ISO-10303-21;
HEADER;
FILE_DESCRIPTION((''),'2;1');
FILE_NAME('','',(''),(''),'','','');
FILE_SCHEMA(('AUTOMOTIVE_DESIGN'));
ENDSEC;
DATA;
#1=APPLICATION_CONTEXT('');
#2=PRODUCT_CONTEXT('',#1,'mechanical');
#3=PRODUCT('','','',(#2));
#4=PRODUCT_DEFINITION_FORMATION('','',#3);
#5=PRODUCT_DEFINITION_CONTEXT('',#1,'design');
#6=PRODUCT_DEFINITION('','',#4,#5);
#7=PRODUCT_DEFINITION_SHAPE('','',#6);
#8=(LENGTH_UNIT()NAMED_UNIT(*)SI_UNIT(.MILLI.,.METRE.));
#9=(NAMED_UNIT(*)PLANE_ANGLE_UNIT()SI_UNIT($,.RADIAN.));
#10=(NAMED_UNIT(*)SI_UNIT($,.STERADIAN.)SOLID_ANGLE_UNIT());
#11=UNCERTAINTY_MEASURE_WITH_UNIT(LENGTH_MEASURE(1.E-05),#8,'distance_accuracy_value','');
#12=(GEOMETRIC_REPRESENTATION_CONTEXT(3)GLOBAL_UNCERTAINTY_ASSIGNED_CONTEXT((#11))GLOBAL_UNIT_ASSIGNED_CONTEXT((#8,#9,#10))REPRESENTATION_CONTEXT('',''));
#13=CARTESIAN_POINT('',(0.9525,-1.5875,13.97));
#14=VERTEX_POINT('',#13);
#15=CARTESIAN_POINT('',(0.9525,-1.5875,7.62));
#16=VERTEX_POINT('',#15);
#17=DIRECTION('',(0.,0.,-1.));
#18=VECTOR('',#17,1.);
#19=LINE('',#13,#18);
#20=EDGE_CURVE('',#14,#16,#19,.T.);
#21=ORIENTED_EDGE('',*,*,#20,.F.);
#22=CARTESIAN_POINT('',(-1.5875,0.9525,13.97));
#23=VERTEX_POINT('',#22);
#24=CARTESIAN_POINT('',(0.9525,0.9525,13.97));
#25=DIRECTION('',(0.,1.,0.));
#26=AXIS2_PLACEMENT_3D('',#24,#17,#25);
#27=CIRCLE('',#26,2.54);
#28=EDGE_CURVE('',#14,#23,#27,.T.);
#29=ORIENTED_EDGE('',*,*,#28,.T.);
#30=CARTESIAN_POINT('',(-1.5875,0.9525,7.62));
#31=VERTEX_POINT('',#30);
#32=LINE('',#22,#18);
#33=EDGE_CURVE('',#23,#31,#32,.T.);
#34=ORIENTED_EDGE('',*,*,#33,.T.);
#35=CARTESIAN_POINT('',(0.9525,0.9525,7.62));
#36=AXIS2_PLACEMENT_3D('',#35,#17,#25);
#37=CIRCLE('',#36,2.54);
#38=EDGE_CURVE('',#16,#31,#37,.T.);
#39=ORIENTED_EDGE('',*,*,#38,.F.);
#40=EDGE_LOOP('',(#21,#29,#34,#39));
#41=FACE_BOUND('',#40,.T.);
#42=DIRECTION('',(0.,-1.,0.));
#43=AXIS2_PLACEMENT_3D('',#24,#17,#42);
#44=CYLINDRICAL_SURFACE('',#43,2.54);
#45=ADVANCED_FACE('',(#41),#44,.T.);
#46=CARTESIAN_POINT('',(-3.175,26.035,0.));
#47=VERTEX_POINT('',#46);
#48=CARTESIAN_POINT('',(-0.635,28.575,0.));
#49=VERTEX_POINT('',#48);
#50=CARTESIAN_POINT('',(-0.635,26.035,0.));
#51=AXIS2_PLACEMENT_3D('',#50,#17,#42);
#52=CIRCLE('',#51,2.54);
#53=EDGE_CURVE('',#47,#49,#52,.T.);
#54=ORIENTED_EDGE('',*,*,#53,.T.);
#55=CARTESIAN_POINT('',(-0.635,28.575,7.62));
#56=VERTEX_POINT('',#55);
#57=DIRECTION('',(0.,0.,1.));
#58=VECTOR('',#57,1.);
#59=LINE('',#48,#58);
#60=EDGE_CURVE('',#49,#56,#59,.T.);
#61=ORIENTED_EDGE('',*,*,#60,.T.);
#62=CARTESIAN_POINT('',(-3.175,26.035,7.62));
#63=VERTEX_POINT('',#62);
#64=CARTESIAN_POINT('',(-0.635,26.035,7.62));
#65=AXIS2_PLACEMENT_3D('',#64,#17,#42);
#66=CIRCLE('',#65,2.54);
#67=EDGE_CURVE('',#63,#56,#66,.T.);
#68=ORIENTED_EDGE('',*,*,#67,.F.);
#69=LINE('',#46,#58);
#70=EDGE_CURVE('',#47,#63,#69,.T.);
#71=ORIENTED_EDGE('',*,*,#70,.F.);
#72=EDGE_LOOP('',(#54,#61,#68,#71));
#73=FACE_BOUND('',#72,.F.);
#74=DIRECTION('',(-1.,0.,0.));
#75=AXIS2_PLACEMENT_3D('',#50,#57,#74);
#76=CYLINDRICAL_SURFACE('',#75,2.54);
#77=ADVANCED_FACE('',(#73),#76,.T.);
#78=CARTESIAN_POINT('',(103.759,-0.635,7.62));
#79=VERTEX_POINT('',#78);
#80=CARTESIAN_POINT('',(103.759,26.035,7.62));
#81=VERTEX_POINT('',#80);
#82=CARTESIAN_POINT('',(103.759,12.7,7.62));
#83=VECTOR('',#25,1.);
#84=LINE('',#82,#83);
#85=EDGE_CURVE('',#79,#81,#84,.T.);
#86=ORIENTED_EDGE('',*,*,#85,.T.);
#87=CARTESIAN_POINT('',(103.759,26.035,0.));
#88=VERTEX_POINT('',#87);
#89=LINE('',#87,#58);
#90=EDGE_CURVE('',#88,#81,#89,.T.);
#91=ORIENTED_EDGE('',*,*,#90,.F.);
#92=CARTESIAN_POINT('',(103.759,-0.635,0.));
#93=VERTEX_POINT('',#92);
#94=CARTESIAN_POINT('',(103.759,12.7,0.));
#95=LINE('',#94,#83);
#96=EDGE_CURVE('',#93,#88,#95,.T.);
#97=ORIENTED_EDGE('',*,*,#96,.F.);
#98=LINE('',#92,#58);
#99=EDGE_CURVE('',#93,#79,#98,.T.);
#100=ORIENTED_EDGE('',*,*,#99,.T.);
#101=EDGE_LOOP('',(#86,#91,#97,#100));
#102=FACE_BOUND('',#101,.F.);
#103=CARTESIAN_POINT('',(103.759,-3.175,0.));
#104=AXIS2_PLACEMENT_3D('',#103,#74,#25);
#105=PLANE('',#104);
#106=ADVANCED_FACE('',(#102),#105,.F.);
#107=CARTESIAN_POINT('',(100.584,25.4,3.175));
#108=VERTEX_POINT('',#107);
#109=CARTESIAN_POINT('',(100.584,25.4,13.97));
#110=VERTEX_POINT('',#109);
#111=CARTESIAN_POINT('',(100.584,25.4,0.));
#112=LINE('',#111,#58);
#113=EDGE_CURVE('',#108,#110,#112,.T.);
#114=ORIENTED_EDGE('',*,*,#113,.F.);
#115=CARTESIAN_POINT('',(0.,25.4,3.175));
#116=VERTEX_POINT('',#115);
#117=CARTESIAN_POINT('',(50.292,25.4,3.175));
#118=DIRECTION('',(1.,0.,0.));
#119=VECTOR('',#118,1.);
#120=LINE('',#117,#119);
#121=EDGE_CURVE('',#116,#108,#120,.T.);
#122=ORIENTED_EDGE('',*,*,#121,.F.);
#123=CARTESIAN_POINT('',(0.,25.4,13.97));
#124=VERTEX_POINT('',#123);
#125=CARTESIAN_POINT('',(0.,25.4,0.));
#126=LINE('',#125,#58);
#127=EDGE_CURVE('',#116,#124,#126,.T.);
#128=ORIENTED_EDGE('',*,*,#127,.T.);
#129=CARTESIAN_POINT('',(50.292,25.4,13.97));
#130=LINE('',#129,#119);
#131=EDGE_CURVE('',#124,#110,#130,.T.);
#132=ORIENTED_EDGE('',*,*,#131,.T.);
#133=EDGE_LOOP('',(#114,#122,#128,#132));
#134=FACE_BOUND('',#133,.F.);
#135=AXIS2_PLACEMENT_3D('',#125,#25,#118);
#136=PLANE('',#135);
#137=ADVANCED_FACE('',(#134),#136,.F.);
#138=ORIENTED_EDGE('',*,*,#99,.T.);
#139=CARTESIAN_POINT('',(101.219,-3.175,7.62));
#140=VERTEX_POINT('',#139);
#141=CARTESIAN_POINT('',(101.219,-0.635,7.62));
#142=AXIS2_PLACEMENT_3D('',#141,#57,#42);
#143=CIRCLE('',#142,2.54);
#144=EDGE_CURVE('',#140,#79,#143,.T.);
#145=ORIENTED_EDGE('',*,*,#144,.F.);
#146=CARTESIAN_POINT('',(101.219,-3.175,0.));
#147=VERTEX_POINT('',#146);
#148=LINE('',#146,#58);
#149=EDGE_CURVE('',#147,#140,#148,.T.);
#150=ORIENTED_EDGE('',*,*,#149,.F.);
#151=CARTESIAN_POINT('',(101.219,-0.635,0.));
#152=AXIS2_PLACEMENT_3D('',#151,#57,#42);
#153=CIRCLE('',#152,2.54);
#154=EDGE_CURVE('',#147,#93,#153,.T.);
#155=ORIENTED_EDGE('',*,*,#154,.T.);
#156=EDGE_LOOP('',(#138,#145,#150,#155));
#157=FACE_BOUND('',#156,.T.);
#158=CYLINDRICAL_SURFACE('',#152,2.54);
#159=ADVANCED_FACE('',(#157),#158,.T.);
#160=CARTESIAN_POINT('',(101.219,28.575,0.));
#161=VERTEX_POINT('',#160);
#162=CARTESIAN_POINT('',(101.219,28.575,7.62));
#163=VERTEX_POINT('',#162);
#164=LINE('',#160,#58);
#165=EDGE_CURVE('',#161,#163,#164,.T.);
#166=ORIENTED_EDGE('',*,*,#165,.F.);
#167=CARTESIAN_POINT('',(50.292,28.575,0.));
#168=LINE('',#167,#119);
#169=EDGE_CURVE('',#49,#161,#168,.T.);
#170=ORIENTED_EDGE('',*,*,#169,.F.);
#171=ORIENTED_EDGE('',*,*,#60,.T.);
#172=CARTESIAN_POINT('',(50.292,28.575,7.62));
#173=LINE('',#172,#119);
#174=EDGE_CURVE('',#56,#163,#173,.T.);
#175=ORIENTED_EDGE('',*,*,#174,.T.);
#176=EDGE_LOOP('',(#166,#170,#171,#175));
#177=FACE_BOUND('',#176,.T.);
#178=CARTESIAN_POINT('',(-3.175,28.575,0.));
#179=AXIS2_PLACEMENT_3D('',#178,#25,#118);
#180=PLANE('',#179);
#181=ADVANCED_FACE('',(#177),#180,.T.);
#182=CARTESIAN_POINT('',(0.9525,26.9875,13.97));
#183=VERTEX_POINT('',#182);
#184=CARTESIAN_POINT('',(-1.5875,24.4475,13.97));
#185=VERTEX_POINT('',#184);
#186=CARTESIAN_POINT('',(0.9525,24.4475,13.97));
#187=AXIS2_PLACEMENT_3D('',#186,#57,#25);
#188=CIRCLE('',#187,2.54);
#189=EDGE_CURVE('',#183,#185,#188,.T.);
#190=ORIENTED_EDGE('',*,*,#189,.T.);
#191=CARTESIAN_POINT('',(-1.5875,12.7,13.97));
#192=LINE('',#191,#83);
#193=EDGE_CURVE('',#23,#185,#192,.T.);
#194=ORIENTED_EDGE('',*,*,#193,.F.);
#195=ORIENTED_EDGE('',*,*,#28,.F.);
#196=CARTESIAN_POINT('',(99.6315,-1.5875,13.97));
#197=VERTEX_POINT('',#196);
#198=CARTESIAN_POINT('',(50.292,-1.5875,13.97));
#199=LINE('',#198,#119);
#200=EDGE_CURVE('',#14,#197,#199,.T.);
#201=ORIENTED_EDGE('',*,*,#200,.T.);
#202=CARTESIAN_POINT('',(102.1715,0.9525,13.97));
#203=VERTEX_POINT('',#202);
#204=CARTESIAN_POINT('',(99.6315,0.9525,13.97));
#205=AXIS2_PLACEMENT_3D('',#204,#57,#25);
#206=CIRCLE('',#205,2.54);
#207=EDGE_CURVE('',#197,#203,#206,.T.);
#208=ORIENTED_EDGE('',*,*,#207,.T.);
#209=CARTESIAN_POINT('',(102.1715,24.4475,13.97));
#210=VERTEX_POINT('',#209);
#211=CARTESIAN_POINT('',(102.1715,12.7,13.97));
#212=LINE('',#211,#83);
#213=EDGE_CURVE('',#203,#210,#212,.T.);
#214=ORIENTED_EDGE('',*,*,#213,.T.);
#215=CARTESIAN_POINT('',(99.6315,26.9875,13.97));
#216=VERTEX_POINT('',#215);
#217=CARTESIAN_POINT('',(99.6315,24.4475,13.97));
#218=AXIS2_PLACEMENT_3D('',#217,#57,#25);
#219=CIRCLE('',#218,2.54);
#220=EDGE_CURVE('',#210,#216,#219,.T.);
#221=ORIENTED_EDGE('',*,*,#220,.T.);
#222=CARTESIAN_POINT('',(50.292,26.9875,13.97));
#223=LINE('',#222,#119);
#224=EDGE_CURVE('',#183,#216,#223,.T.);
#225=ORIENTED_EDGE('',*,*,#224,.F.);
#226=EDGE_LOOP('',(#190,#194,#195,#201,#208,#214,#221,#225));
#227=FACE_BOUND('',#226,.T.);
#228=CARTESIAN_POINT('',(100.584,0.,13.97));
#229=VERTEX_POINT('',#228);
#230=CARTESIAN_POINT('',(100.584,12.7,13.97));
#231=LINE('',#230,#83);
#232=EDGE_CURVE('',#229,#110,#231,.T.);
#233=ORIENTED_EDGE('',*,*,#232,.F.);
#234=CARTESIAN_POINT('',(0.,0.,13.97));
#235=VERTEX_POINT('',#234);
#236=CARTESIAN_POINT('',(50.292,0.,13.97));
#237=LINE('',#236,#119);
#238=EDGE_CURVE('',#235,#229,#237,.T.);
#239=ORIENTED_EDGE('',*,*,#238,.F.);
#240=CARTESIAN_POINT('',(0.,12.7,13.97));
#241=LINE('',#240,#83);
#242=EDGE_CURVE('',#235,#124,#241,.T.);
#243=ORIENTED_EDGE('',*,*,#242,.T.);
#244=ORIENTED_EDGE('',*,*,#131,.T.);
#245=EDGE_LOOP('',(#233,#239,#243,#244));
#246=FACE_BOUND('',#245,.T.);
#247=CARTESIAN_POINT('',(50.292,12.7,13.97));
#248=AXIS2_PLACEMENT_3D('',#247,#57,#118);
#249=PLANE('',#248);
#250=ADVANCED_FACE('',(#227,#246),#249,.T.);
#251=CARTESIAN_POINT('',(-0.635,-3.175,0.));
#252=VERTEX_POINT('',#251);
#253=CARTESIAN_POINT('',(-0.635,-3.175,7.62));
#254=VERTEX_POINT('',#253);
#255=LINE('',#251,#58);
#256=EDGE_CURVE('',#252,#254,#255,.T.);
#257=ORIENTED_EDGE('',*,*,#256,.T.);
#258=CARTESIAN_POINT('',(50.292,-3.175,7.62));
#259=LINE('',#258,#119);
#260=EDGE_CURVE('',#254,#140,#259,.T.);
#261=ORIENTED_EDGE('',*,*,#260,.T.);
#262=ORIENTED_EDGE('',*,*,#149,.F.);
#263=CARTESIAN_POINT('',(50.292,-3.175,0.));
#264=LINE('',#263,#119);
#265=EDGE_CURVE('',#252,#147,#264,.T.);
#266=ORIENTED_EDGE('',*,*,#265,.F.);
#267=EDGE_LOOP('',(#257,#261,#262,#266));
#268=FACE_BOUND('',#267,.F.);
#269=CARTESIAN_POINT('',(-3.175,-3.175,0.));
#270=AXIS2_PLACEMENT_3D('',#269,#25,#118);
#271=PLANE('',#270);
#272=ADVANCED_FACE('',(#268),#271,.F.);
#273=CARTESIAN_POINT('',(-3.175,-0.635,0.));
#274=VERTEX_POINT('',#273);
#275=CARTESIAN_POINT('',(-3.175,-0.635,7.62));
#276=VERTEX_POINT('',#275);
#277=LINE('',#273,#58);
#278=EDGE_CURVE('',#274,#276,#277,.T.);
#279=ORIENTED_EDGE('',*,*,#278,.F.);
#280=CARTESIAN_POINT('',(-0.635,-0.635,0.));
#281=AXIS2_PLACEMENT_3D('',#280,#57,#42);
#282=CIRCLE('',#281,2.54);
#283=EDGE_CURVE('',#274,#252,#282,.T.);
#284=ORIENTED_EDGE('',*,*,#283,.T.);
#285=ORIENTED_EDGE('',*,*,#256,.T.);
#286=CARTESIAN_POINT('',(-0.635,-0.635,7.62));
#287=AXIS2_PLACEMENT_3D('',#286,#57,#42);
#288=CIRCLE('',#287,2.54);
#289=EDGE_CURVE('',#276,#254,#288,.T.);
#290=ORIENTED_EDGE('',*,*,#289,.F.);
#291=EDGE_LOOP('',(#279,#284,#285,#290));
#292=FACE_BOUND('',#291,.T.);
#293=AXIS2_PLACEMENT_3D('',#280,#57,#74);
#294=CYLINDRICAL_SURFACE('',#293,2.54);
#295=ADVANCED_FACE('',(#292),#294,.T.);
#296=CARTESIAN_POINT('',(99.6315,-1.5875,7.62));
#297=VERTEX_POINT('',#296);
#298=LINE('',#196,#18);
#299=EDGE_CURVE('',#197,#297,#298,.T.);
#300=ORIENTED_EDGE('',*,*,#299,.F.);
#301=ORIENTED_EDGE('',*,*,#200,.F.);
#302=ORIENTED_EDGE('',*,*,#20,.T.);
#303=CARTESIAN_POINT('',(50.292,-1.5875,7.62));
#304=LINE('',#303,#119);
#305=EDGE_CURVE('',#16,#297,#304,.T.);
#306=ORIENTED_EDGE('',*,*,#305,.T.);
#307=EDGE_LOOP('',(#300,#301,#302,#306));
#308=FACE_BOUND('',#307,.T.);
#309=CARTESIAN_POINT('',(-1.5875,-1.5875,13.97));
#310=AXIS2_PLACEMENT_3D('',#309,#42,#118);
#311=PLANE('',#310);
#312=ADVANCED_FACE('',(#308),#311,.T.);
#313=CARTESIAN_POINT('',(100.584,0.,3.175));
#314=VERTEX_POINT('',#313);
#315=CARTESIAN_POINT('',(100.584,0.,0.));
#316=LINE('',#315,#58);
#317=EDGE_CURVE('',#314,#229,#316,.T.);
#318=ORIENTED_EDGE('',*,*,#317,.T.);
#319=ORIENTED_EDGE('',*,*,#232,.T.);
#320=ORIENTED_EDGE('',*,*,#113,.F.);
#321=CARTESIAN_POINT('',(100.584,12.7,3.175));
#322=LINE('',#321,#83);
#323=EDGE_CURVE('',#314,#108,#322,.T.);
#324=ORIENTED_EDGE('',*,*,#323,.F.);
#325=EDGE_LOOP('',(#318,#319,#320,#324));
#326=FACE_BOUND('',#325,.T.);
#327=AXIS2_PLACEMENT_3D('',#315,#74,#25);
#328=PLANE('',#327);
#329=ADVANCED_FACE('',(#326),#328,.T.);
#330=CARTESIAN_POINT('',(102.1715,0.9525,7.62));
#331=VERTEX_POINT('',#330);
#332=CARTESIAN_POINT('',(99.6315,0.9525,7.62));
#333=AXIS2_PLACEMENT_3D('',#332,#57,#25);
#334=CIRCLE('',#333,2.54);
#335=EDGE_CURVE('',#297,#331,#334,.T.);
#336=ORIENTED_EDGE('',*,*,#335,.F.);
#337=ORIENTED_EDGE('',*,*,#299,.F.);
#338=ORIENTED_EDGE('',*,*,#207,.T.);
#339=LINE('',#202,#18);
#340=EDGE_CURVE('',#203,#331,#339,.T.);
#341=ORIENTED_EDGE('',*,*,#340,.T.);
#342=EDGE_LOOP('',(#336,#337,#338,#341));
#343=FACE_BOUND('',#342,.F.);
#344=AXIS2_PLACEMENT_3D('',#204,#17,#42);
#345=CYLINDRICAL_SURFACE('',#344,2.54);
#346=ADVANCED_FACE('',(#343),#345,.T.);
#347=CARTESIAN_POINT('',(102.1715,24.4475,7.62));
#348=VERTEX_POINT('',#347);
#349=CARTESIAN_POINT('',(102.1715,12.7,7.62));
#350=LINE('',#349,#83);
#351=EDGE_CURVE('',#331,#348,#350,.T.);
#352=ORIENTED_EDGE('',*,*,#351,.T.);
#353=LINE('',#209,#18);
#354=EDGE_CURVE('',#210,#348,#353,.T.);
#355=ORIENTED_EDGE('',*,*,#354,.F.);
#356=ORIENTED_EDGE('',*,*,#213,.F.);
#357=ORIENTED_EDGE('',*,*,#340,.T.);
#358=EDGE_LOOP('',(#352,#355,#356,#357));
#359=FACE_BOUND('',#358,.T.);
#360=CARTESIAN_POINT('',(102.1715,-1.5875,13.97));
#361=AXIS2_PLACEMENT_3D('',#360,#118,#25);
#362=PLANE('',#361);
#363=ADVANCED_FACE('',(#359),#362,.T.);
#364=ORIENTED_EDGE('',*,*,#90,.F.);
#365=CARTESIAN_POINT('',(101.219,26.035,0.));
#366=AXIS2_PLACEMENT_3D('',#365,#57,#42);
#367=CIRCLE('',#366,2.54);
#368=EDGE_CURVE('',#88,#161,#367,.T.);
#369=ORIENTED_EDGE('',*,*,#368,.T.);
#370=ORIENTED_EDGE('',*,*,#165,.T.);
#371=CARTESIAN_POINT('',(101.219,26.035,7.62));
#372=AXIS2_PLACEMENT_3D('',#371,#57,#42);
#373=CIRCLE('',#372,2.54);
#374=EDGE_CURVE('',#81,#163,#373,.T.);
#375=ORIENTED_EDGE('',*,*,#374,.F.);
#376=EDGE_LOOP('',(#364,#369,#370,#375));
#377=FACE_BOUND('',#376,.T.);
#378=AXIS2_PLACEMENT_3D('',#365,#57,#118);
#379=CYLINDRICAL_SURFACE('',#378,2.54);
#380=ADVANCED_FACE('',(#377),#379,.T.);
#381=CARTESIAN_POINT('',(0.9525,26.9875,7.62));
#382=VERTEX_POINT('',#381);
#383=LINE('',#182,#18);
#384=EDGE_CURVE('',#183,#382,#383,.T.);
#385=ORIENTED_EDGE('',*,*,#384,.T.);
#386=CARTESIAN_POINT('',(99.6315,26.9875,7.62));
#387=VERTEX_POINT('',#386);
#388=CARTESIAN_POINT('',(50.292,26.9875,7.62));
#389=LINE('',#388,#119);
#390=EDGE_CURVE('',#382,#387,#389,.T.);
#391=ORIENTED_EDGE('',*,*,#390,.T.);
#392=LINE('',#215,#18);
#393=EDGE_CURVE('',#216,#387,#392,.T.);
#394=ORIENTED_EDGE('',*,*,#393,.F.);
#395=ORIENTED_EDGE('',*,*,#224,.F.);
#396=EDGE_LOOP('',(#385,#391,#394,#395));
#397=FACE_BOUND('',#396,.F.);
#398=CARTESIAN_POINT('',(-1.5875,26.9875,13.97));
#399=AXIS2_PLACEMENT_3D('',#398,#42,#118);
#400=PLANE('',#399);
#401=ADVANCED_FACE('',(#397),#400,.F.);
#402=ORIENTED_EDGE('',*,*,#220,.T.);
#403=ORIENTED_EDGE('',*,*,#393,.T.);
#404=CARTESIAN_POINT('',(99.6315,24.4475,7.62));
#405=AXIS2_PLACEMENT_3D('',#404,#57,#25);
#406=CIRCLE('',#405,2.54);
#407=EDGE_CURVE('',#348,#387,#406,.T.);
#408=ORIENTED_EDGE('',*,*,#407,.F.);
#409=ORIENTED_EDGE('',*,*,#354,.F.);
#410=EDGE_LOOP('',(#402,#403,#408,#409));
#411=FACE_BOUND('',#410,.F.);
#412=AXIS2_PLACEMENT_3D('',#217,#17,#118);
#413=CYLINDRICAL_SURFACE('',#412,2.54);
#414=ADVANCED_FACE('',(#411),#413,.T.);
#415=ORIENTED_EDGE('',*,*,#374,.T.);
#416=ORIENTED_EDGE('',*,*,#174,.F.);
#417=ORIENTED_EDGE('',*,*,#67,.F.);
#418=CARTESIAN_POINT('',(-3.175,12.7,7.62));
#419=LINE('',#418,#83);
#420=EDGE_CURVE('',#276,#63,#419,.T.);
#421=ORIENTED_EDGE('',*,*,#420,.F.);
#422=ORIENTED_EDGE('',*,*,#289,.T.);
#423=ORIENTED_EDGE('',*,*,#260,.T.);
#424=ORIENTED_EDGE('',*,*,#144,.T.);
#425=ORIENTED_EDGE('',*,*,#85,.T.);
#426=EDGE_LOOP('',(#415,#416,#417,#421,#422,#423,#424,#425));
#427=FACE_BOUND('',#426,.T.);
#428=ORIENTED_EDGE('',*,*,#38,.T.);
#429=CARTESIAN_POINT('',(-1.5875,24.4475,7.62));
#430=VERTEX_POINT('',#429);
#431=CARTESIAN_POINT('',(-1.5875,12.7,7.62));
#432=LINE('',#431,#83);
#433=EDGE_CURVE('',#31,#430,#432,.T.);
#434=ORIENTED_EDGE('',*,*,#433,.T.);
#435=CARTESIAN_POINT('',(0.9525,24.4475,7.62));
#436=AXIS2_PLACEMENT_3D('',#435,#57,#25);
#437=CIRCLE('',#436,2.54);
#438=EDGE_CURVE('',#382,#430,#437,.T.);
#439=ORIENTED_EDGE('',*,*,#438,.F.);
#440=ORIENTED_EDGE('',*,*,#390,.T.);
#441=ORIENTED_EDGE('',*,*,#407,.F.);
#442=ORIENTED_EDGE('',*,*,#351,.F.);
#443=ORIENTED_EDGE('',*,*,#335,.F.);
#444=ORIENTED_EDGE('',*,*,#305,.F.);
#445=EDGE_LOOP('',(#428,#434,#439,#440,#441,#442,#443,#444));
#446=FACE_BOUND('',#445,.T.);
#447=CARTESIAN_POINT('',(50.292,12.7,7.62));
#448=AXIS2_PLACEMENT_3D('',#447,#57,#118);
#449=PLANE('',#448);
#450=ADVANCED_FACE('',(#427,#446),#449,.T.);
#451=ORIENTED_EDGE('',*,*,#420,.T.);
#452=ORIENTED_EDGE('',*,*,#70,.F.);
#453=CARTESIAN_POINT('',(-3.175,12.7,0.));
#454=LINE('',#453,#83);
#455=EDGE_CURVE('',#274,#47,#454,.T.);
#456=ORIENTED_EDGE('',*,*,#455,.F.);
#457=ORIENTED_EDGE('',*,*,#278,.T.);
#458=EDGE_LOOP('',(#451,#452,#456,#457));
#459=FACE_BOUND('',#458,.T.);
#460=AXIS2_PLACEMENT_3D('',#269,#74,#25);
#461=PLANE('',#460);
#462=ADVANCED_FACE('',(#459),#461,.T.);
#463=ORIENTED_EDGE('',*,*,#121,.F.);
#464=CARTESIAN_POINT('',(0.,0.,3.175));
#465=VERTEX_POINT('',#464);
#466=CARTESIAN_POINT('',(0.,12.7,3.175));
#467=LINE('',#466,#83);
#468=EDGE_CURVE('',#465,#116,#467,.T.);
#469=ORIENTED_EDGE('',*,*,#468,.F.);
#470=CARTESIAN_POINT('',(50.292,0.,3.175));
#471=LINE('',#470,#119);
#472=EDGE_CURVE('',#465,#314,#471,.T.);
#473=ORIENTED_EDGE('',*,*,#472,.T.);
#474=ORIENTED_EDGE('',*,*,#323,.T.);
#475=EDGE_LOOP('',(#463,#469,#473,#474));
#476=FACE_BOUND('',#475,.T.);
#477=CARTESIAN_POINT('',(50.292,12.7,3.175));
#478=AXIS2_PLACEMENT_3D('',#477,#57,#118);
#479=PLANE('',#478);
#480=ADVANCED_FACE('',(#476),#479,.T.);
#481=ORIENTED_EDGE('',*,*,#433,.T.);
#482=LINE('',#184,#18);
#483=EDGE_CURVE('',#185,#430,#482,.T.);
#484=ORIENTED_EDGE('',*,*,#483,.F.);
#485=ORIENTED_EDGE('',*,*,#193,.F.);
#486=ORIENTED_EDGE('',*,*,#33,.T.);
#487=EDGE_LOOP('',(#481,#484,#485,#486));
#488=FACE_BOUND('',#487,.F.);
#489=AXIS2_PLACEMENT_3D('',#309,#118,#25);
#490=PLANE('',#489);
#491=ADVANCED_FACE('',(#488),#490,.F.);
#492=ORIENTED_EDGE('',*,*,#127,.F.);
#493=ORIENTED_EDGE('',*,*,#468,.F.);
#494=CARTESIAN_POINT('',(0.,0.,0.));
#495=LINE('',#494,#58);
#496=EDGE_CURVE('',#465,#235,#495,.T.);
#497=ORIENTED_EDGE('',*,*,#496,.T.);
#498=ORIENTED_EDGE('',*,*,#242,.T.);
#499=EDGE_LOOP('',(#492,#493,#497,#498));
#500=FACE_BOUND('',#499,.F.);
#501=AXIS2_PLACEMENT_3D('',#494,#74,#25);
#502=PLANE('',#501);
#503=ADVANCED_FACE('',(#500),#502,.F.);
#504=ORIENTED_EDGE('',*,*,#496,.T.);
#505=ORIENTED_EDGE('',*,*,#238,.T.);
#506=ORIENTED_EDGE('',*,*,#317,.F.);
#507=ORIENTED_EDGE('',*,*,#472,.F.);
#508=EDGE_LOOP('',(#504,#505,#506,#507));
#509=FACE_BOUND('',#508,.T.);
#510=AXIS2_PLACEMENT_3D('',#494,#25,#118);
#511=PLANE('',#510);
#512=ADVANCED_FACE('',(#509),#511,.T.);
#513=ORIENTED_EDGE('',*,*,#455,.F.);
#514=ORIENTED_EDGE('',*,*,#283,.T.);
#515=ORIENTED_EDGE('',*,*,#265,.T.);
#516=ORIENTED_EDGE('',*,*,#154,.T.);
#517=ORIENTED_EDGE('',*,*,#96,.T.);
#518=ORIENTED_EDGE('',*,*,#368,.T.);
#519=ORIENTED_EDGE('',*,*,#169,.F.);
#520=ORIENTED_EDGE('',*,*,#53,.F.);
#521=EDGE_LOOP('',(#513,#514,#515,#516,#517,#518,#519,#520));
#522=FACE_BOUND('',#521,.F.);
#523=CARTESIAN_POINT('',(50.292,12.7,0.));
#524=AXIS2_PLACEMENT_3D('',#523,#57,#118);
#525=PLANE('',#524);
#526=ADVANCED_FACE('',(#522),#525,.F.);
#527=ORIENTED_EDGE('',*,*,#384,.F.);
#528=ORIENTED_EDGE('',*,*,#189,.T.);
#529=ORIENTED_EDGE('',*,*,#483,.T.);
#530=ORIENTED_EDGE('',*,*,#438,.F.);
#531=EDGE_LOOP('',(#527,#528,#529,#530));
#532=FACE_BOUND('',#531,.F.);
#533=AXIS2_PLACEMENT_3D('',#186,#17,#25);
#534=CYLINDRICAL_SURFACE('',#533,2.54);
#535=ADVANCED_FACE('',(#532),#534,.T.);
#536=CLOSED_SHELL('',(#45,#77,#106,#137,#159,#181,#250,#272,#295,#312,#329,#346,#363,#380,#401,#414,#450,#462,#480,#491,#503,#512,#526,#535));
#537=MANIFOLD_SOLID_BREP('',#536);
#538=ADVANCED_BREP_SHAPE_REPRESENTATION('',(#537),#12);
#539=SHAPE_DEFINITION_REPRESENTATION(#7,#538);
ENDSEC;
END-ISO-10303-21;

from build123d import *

# Parameters (mm, degrees)
F0_W     = 106.934
F0_H     = 31.75
F0_W_2   = 100.584
F0_H_2   = 25.4
F1_DEPTH = 13.97
F2_DEPTH = 3.175
F3_W     = 106.934
F3_H     = 31.75
F3_W_2   = 103.759
F3_H_2   = 28.575
F4_DEPTH = 6.35
F5_R     = 2.54


with BuildPart() as f1:
    # F0 (on Top) → F1 (new body)
    with BuildSketch(Plane.XY):
        with Locations((50.292, 12.7)):
            Rectangle(F0_W, F0_H)
        with Locations((50.292, 12.7)):
            Rectangle(F0_W_2, F0_H_2, mode=Mode.SUBTRACT)
    extrude(amount=F1_DEPTH)

    # F0 (on Top) → F2 (join)
    with BuildSketch(Plane.XY):
        with Locations((50.292, 12.7)):
            Rectangle(F0_W_2, F0_H_2)
    extrude(amount=F2_DEPTH)

    # F3 (on face) → F4 (cut)
    with BuildSketch(Plane.XY.offset(13.97)):
        with Locations((50.292, 12.7)):
            Rectangle(F3_W, F3_H)
        with Locations((50.292, 12.7)):
            Rectangle(F3_W_2, F3_H_2, mode=Mode.SUBTRACT)
    extrude(amount=-F4_DEPTH, mode=Mode.SUBTRACT)

    # F5
    f5_edges = [f1.edges().sort_by_distance(p)[0] for p in [
        (-1.5875, -1.5875, 10.795),
        (-3.175, -3.175, 3.81),
        (-1.5875, 26.9875, 10.795),
        (-3.175, 28.575, 3.81),
        (102.1715, -1.5875, 10.795),
        (103.759, -3.175, 3.81),
        (103.759, 28.575, 3.81),
        (102.1715, 26.9875, 10.795),
    ]]
    fillet(f5_edges, radius=F5_R)


solid = f1.part
